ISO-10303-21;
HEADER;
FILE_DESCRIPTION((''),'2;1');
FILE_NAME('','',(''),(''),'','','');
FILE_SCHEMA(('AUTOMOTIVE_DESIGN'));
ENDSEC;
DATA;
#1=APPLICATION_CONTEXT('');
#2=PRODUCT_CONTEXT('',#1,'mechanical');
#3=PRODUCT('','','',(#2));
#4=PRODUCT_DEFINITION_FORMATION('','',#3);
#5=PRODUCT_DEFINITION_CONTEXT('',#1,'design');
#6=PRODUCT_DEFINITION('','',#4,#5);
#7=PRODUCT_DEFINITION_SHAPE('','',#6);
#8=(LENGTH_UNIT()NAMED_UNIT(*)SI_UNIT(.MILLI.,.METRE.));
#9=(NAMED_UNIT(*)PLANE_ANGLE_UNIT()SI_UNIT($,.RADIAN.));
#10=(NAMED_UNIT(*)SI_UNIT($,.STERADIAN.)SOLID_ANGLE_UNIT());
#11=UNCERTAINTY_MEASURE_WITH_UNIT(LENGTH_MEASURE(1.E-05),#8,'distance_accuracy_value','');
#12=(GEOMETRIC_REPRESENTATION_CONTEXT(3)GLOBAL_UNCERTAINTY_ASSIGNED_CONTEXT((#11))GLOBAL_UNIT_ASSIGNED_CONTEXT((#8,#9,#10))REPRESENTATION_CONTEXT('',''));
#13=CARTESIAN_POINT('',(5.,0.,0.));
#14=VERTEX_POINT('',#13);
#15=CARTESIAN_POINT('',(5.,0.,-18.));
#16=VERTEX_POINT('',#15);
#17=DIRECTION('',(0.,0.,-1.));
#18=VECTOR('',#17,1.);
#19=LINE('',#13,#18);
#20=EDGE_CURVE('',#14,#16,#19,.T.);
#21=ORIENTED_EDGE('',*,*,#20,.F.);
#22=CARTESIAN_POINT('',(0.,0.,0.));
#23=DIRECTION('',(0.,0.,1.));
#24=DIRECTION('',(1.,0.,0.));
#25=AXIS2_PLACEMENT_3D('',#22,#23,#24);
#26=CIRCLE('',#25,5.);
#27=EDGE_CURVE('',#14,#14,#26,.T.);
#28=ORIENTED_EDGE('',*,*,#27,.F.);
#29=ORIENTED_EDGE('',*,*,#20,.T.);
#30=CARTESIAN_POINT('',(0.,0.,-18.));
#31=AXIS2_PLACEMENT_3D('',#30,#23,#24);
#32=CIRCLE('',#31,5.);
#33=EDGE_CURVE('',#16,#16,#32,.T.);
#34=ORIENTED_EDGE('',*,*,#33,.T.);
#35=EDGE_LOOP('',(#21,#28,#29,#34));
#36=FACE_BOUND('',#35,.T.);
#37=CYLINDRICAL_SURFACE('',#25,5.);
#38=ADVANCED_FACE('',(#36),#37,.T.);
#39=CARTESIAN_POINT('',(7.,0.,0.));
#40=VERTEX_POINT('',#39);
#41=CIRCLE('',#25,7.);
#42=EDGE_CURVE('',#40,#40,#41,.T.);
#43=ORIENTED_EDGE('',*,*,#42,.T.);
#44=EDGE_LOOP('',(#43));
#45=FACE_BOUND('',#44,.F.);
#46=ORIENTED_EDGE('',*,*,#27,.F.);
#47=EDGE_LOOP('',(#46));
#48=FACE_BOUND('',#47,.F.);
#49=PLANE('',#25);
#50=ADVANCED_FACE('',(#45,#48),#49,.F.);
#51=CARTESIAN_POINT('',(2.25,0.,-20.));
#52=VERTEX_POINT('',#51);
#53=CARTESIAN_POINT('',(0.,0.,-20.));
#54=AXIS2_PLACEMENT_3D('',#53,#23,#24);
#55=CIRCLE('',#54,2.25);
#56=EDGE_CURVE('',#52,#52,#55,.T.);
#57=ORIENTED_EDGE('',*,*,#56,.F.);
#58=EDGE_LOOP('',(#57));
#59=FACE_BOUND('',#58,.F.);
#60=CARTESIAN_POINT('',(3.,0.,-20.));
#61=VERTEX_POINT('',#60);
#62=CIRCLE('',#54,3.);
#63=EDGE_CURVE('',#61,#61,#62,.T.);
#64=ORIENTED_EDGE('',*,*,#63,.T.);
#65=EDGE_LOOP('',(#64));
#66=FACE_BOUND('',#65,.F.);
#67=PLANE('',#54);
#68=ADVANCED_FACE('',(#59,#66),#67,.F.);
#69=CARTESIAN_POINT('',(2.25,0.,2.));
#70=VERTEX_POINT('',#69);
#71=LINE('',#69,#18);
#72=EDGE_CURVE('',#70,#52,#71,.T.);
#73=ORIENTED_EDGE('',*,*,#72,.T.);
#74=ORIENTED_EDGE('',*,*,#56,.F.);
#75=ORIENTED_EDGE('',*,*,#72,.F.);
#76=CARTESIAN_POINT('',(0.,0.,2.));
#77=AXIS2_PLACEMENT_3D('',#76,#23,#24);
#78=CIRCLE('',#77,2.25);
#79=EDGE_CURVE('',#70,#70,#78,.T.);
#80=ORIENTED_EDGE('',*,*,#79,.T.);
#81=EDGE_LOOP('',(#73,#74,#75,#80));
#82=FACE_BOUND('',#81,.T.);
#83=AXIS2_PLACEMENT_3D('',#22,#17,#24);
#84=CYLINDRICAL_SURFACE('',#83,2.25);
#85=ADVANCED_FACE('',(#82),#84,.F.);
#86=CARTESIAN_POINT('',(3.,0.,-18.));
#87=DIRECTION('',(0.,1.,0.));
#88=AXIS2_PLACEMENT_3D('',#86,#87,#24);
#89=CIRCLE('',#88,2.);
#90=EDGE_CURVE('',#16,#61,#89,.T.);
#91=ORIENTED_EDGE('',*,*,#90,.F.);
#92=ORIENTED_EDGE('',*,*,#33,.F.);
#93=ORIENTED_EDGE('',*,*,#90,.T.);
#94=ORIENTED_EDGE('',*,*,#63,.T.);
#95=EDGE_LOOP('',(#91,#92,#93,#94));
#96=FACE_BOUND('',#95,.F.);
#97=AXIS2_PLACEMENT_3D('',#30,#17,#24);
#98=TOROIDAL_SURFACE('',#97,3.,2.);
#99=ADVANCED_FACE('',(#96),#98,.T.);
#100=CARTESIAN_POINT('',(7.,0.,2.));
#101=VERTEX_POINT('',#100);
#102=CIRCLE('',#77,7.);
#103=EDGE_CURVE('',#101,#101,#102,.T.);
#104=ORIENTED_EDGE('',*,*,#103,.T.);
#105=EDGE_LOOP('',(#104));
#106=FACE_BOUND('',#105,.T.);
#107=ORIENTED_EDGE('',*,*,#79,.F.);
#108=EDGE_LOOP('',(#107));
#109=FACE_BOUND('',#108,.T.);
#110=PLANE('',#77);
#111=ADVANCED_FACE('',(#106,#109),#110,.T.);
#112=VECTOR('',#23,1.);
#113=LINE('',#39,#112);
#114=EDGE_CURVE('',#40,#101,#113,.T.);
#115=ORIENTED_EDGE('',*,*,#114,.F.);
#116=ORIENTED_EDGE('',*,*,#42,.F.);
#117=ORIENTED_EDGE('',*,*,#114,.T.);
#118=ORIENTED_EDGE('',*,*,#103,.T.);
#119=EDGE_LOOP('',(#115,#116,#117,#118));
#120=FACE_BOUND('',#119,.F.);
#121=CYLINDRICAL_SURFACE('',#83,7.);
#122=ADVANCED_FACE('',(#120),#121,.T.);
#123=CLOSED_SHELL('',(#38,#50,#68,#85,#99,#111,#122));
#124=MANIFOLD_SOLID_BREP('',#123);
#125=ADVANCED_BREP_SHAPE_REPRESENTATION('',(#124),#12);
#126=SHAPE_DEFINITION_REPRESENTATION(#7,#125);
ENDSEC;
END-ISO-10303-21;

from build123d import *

# Parameters (mm, degrees)
F0_R     = 5
F0_R_2   = 2.25
F1_DEPTH = 20
F2_R     = 2
F3_R     = 7
F3_R_2   = 2.25
F4_DEPTH = 2


with BuildPart() as f1:
    # F0 (on Top) → F1 (new body)
    with BuildSketch(Plane.XY):
        Circle(F0_R)
        Circle(F0_R_2, mode=Mode.SUBTRACT)
    extrude(amount=-F1_DEPTH)

    # F2
    f2_edges = [f1.edges().sort_by_distance(p)[0] for p in [
        (-5, 0, -20),
    ]]
    fillet(f2_edges, radius=F2_R)

    # F3 (on face) → F4 (join)
    with BuildSketch(Plane.XY):
        Circle(F3_R)
        Circle(F3_R_2, mode=Mode.SUBTRACT)
    extrude(amount=F4_DEPTH)


solid = f1.part
